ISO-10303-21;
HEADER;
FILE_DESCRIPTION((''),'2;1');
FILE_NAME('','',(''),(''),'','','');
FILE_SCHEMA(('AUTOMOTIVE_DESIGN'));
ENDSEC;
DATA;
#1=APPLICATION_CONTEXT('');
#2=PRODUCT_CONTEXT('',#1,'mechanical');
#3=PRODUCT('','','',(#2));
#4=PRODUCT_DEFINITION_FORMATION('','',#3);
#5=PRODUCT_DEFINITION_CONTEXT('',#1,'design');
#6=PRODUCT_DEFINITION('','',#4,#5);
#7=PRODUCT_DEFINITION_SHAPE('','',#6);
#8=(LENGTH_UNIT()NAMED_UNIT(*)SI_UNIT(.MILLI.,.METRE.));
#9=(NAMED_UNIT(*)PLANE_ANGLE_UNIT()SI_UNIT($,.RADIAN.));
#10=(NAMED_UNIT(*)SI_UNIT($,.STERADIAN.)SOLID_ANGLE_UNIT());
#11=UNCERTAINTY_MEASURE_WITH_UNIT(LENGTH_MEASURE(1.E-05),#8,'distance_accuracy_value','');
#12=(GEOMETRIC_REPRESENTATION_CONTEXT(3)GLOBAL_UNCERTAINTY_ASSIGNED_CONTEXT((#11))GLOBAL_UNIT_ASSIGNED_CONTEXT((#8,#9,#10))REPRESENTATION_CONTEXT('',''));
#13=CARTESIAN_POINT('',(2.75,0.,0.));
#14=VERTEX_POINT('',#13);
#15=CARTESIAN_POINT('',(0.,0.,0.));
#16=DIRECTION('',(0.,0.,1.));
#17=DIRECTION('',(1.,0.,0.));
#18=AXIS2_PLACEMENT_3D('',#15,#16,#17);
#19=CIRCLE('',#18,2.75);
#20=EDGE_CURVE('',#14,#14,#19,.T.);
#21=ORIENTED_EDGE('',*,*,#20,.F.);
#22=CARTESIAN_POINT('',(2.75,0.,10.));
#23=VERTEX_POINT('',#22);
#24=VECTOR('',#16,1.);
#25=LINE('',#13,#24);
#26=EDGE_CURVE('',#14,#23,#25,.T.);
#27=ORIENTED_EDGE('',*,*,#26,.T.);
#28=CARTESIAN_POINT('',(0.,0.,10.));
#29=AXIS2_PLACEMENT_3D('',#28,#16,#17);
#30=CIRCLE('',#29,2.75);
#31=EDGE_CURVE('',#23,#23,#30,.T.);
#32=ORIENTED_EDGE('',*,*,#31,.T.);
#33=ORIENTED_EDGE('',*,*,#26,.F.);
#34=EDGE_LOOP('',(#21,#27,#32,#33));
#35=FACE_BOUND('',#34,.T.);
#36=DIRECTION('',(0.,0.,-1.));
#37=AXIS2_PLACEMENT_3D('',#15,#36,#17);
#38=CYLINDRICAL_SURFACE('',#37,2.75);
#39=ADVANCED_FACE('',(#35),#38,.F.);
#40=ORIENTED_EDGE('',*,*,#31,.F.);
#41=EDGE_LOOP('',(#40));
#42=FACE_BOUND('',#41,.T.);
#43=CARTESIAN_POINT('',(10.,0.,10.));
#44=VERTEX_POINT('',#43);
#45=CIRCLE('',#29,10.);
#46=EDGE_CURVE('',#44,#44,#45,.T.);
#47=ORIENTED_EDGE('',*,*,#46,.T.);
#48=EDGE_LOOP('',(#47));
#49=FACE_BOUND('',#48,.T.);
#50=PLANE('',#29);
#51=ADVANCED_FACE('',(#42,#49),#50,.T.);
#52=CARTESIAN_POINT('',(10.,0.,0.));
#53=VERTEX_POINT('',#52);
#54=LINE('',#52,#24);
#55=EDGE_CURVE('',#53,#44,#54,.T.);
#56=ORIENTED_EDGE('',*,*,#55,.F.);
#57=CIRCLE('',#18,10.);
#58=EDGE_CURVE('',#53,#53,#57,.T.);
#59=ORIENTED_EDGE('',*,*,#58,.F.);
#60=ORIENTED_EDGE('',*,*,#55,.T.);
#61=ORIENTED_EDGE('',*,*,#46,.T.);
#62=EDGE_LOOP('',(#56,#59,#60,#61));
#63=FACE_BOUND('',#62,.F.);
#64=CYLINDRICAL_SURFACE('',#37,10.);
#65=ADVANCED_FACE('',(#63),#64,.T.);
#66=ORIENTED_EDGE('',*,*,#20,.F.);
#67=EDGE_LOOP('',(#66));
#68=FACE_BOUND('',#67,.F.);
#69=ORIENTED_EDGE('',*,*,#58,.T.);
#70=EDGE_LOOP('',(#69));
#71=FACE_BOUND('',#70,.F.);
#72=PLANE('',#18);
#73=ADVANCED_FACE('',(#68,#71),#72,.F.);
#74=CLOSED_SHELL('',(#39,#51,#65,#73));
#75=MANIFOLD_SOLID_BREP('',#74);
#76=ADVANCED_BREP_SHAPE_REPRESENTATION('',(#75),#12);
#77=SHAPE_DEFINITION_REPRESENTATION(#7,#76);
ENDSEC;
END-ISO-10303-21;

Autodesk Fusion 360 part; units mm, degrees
sketch "Skizze1" plane through (0, 0, 0) normal (0, 0, 1) x (1, 0, 0)
  circle A0 centre (0, 0) radius 2.75
  circle A1 centre (0, 0) radius 10
  dimension "d1" = 5.5
  dimension "d2" = 20
extrude "Extrusion1" add sketch "Skizze1" along normal blind 10
